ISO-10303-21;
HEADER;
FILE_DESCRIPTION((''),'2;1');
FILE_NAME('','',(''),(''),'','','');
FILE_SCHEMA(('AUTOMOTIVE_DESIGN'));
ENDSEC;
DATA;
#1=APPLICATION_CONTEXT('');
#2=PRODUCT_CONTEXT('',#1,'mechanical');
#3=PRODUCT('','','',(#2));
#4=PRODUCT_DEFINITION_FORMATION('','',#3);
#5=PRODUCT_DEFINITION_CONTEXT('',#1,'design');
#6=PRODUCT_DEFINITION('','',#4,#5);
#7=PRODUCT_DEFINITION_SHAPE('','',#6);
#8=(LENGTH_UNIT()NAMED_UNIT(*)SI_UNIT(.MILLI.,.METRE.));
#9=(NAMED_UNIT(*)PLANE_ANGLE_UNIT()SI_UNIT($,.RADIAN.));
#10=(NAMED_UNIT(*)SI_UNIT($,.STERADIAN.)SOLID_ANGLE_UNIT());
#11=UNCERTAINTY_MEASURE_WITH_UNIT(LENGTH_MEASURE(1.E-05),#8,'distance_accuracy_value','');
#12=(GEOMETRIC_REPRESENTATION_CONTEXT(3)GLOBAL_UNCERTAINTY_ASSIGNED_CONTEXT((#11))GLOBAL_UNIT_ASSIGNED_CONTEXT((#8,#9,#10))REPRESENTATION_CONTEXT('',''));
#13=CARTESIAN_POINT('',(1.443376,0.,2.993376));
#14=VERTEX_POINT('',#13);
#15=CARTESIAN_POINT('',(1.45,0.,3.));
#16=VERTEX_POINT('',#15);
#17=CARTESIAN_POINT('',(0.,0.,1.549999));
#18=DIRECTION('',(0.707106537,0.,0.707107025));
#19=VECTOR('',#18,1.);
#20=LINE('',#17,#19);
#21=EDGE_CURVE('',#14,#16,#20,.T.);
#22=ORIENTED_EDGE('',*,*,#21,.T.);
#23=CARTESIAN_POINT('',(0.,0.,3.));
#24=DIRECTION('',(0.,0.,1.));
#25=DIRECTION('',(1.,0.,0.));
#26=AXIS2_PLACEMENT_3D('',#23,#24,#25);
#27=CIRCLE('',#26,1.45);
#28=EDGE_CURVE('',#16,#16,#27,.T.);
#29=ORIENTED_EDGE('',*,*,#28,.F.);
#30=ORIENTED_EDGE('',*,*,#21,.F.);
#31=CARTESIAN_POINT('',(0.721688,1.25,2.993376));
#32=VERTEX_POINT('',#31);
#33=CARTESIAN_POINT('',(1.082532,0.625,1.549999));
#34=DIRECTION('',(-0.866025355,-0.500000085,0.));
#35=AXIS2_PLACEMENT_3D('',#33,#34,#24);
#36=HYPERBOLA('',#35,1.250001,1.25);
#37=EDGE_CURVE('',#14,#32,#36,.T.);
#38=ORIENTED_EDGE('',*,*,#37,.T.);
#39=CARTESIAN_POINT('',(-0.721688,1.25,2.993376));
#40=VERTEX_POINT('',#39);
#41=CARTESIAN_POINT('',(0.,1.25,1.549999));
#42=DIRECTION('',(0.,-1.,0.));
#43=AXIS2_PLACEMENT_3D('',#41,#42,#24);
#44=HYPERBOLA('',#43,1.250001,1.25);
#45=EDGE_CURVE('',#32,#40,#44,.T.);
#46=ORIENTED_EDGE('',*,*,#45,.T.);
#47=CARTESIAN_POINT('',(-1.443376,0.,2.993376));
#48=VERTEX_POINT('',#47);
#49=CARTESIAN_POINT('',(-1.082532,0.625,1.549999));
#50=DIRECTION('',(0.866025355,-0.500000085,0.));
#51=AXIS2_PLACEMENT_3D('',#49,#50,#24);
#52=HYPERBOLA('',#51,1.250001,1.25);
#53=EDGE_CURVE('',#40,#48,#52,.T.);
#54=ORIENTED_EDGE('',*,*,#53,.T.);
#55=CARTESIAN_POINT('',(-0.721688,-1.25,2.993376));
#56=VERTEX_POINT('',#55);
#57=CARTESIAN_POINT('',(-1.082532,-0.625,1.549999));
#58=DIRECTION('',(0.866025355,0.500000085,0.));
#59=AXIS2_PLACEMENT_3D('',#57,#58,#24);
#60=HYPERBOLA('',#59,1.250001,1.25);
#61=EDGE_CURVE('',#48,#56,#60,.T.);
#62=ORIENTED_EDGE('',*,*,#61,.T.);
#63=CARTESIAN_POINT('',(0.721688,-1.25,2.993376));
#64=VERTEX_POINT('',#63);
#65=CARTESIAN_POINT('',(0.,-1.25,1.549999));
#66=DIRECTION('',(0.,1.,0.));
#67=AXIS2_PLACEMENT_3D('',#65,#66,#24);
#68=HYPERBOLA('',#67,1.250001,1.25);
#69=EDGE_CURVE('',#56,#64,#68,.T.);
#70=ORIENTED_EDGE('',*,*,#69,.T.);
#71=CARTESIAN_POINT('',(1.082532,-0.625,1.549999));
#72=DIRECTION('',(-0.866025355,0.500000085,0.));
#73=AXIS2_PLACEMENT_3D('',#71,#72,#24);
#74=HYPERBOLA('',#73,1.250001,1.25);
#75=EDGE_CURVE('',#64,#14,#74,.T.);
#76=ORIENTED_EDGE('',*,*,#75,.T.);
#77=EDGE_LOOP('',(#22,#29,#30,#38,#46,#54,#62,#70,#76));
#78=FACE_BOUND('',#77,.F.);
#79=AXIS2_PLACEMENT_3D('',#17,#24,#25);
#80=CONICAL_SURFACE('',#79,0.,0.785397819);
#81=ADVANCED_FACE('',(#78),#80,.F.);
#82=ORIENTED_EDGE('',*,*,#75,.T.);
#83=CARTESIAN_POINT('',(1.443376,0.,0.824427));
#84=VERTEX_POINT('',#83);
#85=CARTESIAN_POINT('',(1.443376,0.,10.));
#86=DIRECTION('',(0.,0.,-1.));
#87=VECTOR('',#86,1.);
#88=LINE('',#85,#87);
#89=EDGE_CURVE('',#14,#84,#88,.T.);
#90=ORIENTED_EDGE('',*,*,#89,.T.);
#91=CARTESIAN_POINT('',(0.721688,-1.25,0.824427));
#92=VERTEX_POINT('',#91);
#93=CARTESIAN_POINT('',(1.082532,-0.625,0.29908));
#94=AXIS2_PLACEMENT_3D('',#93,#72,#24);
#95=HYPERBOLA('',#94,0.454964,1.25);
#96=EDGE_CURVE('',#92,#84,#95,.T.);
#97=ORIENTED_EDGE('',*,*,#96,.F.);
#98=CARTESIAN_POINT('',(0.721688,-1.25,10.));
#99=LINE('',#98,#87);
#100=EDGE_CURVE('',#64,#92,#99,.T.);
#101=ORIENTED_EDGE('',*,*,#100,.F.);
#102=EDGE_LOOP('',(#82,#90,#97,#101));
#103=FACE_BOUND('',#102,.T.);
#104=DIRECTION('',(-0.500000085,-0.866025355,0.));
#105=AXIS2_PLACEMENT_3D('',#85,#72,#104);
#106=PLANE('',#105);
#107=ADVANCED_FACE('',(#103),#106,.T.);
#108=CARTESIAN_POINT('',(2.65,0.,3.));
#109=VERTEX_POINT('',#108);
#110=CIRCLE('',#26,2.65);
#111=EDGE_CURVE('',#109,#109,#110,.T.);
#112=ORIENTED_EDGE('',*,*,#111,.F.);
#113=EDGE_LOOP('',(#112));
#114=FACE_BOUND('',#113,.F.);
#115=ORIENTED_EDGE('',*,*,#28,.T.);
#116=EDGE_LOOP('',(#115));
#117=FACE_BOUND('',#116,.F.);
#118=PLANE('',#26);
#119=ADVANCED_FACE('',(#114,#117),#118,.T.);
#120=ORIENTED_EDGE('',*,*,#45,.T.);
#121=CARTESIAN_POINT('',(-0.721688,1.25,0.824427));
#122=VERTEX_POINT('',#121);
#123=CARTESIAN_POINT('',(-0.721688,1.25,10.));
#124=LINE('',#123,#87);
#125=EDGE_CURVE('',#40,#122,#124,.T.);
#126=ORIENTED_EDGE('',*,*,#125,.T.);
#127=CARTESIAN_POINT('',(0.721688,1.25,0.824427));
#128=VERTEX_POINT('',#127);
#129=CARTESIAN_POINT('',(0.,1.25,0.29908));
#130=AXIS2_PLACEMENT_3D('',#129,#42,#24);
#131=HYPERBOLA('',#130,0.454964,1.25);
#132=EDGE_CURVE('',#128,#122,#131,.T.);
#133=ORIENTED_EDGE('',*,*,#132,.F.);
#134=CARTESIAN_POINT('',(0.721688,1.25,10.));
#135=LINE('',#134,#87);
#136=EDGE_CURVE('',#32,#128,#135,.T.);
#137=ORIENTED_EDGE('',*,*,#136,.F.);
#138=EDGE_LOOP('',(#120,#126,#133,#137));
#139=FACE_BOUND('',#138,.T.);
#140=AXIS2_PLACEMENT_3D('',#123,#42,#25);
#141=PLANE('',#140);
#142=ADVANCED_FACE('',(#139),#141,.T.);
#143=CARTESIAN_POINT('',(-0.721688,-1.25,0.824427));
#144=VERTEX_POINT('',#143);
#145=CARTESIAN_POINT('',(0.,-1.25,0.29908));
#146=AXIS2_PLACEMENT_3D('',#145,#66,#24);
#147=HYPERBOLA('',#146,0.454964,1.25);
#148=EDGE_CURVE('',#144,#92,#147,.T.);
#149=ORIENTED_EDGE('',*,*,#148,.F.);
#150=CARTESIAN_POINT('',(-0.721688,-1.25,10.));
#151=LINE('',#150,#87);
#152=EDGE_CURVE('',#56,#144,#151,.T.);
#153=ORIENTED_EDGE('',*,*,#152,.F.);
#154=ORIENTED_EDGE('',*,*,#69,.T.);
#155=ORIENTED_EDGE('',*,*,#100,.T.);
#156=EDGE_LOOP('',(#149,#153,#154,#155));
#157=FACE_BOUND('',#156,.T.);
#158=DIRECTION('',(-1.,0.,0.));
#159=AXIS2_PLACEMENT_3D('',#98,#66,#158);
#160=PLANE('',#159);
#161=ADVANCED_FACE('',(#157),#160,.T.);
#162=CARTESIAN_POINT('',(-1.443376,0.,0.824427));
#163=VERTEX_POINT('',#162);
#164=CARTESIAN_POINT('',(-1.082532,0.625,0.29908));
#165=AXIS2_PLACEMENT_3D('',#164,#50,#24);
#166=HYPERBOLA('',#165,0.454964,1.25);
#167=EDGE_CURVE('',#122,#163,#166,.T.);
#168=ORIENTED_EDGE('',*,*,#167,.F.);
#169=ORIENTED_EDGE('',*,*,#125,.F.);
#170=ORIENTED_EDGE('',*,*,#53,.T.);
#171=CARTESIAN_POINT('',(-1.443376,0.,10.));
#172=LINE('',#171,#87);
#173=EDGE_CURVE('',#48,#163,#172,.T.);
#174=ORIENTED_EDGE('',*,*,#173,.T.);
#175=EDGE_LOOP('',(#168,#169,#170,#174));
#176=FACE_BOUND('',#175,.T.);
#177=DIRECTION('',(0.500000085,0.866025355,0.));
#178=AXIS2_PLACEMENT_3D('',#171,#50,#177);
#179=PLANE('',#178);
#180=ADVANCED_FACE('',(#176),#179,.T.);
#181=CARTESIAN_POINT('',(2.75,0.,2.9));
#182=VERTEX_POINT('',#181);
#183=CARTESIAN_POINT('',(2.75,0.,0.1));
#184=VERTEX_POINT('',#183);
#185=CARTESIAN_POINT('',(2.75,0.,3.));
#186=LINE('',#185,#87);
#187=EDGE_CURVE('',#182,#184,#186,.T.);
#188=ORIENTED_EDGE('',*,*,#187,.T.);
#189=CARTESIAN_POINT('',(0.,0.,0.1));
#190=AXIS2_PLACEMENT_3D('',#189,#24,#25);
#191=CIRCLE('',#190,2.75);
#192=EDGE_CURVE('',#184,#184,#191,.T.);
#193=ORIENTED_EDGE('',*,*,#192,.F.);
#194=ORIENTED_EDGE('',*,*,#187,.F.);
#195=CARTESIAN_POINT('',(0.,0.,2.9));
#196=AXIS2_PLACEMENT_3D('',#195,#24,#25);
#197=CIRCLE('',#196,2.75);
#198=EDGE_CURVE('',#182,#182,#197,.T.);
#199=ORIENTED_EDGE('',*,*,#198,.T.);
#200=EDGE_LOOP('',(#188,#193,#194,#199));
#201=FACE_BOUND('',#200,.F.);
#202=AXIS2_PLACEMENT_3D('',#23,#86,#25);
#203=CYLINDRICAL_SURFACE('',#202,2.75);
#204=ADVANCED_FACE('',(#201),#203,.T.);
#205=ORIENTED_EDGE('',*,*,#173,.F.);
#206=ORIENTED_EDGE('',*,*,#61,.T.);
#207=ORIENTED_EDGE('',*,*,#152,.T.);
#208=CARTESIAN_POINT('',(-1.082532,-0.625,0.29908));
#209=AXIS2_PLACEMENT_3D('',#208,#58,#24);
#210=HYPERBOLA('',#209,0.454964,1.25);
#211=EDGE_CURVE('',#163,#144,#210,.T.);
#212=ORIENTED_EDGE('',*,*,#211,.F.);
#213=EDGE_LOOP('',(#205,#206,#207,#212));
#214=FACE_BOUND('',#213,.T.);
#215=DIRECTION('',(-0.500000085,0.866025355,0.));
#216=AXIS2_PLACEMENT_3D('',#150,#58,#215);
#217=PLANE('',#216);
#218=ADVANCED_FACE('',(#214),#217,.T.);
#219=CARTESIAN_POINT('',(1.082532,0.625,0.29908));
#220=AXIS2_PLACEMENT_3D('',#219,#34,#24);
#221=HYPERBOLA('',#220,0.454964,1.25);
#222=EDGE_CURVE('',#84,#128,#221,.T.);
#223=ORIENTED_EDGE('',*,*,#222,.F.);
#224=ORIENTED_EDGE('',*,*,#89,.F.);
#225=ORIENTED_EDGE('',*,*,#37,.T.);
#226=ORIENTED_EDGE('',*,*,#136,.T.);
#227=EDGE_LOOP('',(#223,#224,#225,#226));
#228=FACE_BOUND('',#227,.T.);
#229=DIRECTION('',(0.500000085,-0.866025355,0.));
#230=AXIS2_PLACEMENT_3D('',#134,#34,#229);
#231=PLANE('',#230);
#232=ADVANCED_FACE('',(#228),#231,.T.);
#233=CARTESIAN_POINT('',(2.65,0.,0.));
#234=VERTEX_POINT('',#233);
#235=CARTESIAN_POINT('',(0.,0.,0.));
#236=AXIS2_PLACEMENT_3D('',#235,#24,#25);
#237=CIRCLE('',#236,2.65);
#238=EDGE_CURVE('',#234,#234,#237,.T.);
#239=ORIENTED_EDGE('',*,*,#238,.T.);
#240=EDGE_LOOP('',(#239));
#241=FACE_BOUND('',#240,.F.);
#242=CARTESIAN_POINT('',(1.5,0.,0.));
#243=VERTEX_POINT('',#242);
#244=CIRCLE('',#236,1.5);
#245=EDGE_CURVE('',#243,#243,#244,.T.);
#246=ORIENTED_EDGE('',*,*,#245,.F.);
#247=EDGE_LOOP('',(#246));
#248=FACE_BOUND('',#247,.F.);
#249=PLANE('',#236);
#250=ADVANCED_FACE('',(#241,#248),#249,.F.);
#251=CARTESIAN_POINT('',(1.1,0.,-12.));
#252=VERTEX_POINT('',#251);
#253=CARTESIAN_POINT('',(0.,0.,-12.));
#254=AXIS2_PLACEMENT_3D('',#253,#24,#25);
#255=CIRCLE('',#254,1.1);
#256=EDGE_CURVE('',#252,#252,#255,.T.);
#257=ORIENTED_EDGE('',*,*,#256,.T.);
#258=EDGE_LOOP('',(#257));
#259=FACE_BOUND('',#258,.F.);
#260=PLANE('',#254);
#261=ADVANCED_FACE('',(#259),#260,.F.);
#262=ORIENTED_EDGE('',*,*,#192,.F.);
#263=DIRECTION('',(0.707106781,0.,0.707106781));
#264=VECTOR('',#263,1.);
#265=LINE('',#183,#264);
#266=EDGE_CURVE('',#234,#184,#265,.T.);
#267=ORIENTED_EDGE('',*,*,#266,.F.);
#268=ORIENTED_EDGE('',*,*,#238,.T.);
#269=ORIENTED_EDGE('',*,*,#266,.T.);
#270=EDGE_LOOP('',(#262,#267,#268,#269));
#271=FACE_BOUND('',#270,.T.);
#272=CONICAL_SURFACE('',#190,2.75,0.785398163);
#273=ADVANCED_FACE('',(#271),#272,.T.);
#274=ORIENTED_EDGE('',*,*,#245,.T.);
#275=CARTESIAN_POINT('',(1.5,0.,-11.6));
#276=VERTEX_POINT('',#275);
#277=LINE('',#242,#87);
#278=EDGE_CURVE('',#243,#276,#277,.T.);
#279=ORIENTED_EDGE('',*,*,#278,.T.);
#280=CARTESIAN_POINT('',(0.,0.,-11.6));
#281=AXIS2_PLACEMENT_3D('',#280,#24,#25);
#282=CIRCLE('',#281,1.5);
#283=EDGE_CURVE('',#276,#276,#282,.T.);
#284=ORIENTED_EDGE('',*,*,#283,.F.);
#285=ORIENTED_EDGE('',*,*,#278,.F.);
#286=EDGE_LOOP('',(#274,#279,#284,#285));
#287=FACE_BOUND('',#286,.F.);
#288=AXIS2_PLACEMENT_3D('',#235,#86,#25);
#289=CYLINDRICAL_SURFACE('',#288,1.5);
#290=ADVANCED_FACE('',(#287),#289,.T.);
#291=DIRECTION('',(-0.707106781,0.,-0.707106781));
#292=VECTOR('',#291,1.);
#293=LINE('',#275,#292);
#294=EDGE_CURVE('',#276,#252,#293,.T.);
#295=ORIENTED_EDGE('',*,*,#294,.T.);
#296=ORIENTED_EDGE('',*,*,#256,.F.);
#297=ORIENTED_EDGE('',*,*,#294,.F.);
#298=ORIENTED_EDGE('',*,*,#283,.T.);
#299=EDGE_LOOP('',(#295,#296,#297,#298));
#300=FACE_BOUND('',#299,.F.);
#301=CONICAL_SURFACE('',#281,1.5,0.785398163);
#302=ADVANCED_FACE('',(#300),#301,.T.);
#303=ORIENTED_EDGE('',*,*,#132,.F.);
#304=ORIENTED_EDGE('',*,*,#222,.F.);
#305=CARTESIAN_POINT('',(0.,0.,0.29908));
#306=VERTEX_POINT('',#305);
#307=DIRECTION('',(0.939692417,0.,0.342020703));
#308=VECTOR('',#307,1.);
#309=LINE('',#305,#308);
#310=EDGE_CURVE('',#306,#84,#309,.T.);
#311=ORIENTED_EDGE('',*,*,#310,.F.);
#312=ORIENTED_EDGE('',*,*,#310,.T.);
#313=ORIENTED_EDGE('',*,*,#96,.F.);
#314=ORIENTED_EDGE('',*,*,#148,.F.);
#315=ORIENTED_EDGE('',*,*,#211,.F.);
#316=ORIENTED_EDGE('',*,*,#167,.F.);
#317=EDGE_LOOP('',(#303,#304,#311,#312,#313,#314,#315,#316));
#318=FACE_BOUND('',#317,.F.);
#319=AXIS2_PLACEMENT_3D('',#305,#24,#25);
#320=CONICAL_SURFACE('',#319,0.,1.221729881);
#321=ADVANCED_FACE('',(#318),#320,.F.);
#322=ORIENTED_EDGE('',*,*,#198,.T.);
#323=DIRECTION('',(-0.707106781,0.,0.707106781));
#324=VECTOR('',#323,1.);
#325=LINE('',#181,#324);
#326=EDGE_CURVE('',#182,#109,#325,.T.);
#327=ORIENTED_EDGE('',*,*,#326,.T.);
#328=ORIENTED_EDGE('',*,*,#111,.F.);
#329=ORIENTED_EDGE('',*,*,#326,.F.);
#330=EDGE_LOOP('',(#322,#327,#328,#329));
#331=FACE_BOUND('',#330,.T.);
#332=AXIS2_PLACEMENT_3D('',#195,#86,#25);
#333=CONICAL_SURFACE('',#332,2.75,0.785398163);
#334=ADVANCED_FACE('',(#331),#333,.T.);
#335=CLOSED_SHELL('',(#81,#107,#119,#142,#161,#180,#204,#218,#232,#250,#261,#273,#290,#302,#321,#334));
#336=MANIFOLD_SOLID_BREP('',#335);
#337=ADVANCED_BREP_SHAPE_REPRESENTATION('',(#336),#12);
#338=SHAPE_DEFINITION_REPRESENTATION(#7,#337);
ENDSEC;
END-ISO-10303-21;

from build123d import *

# Parameters (mm, degrees)
SKETCH014_R     = 3.75
POCKET006_DEPTH = 9.70192
CHAMFER007_SIZE = 0.4
CHAMFER006_SIZE = 0.1


with BuildPart() as pocket006:
    # Sketch015 → Revolution006 (revolve)
    with BuildSketch(Plane.XZ):
        Polygon((0, 0.29908), (2.75, 1.3), (2.75, 10), (0, 10), align=None)
    revolve(axis=Axis((0, 0, 0), (0, 0, 1)))

    # Sketch014 (on Face3 of Revolution006) → Pocket006 (cut, through all)
    with BuildSketch(Plane(origin=(0, 0, 10), x_dir=(-1, 0, 0), z_dir=(0, 0, 1))):
        Circle(SKETCH014_R)
        Polygon((-0.721688, 1.25), (0.721688, 1.25), (1.443376, 0), (0.721688, -1.25), (-0.721688, -1.25), (-1.443376, 0), align=None, mode=Mode.SUBTRACT)
    extrude(amount=-POCKET006_DEPTH, mode=Mode.SUBTRACT)


with BuildPart() as chamfer006:
    # Sketch016 → Revolution007 (revolve)
    with BuildSketch(Plane.XZ):
        Polygon((1.45, 3), (2.75, 3), (2.75, 0), (1.5, 0), (1.5, -12), (0, -12), (0, 1.549999), align=None)
    revolve(axis=Axis((0, 0, 0), (0, 0, 1)))

    # Cut003: cut Pocket006
    add(pocket006.part, mode=Mode.SUBTRACT)

    # Chamfer007
    chamfer007_edges = [chamfer006.edges().sort_by_distance(p)[0] for p in [
        (-1.5, 0, -12),
    ]]
    chamfer(chamfer007_edges, length=CHAMFER007_SIZE)

    # Chamfer006
    chamfer006_edges = [chamfer006.edges().sort_by_distance(p)[0] for p in [
        (-2.75, 0, 0),
        (-2.75, 0, 3),
    ]]
    chamfer(chamfer006_edges, length=CHAMFER006_SIZE)


solid = chamfer006.part
